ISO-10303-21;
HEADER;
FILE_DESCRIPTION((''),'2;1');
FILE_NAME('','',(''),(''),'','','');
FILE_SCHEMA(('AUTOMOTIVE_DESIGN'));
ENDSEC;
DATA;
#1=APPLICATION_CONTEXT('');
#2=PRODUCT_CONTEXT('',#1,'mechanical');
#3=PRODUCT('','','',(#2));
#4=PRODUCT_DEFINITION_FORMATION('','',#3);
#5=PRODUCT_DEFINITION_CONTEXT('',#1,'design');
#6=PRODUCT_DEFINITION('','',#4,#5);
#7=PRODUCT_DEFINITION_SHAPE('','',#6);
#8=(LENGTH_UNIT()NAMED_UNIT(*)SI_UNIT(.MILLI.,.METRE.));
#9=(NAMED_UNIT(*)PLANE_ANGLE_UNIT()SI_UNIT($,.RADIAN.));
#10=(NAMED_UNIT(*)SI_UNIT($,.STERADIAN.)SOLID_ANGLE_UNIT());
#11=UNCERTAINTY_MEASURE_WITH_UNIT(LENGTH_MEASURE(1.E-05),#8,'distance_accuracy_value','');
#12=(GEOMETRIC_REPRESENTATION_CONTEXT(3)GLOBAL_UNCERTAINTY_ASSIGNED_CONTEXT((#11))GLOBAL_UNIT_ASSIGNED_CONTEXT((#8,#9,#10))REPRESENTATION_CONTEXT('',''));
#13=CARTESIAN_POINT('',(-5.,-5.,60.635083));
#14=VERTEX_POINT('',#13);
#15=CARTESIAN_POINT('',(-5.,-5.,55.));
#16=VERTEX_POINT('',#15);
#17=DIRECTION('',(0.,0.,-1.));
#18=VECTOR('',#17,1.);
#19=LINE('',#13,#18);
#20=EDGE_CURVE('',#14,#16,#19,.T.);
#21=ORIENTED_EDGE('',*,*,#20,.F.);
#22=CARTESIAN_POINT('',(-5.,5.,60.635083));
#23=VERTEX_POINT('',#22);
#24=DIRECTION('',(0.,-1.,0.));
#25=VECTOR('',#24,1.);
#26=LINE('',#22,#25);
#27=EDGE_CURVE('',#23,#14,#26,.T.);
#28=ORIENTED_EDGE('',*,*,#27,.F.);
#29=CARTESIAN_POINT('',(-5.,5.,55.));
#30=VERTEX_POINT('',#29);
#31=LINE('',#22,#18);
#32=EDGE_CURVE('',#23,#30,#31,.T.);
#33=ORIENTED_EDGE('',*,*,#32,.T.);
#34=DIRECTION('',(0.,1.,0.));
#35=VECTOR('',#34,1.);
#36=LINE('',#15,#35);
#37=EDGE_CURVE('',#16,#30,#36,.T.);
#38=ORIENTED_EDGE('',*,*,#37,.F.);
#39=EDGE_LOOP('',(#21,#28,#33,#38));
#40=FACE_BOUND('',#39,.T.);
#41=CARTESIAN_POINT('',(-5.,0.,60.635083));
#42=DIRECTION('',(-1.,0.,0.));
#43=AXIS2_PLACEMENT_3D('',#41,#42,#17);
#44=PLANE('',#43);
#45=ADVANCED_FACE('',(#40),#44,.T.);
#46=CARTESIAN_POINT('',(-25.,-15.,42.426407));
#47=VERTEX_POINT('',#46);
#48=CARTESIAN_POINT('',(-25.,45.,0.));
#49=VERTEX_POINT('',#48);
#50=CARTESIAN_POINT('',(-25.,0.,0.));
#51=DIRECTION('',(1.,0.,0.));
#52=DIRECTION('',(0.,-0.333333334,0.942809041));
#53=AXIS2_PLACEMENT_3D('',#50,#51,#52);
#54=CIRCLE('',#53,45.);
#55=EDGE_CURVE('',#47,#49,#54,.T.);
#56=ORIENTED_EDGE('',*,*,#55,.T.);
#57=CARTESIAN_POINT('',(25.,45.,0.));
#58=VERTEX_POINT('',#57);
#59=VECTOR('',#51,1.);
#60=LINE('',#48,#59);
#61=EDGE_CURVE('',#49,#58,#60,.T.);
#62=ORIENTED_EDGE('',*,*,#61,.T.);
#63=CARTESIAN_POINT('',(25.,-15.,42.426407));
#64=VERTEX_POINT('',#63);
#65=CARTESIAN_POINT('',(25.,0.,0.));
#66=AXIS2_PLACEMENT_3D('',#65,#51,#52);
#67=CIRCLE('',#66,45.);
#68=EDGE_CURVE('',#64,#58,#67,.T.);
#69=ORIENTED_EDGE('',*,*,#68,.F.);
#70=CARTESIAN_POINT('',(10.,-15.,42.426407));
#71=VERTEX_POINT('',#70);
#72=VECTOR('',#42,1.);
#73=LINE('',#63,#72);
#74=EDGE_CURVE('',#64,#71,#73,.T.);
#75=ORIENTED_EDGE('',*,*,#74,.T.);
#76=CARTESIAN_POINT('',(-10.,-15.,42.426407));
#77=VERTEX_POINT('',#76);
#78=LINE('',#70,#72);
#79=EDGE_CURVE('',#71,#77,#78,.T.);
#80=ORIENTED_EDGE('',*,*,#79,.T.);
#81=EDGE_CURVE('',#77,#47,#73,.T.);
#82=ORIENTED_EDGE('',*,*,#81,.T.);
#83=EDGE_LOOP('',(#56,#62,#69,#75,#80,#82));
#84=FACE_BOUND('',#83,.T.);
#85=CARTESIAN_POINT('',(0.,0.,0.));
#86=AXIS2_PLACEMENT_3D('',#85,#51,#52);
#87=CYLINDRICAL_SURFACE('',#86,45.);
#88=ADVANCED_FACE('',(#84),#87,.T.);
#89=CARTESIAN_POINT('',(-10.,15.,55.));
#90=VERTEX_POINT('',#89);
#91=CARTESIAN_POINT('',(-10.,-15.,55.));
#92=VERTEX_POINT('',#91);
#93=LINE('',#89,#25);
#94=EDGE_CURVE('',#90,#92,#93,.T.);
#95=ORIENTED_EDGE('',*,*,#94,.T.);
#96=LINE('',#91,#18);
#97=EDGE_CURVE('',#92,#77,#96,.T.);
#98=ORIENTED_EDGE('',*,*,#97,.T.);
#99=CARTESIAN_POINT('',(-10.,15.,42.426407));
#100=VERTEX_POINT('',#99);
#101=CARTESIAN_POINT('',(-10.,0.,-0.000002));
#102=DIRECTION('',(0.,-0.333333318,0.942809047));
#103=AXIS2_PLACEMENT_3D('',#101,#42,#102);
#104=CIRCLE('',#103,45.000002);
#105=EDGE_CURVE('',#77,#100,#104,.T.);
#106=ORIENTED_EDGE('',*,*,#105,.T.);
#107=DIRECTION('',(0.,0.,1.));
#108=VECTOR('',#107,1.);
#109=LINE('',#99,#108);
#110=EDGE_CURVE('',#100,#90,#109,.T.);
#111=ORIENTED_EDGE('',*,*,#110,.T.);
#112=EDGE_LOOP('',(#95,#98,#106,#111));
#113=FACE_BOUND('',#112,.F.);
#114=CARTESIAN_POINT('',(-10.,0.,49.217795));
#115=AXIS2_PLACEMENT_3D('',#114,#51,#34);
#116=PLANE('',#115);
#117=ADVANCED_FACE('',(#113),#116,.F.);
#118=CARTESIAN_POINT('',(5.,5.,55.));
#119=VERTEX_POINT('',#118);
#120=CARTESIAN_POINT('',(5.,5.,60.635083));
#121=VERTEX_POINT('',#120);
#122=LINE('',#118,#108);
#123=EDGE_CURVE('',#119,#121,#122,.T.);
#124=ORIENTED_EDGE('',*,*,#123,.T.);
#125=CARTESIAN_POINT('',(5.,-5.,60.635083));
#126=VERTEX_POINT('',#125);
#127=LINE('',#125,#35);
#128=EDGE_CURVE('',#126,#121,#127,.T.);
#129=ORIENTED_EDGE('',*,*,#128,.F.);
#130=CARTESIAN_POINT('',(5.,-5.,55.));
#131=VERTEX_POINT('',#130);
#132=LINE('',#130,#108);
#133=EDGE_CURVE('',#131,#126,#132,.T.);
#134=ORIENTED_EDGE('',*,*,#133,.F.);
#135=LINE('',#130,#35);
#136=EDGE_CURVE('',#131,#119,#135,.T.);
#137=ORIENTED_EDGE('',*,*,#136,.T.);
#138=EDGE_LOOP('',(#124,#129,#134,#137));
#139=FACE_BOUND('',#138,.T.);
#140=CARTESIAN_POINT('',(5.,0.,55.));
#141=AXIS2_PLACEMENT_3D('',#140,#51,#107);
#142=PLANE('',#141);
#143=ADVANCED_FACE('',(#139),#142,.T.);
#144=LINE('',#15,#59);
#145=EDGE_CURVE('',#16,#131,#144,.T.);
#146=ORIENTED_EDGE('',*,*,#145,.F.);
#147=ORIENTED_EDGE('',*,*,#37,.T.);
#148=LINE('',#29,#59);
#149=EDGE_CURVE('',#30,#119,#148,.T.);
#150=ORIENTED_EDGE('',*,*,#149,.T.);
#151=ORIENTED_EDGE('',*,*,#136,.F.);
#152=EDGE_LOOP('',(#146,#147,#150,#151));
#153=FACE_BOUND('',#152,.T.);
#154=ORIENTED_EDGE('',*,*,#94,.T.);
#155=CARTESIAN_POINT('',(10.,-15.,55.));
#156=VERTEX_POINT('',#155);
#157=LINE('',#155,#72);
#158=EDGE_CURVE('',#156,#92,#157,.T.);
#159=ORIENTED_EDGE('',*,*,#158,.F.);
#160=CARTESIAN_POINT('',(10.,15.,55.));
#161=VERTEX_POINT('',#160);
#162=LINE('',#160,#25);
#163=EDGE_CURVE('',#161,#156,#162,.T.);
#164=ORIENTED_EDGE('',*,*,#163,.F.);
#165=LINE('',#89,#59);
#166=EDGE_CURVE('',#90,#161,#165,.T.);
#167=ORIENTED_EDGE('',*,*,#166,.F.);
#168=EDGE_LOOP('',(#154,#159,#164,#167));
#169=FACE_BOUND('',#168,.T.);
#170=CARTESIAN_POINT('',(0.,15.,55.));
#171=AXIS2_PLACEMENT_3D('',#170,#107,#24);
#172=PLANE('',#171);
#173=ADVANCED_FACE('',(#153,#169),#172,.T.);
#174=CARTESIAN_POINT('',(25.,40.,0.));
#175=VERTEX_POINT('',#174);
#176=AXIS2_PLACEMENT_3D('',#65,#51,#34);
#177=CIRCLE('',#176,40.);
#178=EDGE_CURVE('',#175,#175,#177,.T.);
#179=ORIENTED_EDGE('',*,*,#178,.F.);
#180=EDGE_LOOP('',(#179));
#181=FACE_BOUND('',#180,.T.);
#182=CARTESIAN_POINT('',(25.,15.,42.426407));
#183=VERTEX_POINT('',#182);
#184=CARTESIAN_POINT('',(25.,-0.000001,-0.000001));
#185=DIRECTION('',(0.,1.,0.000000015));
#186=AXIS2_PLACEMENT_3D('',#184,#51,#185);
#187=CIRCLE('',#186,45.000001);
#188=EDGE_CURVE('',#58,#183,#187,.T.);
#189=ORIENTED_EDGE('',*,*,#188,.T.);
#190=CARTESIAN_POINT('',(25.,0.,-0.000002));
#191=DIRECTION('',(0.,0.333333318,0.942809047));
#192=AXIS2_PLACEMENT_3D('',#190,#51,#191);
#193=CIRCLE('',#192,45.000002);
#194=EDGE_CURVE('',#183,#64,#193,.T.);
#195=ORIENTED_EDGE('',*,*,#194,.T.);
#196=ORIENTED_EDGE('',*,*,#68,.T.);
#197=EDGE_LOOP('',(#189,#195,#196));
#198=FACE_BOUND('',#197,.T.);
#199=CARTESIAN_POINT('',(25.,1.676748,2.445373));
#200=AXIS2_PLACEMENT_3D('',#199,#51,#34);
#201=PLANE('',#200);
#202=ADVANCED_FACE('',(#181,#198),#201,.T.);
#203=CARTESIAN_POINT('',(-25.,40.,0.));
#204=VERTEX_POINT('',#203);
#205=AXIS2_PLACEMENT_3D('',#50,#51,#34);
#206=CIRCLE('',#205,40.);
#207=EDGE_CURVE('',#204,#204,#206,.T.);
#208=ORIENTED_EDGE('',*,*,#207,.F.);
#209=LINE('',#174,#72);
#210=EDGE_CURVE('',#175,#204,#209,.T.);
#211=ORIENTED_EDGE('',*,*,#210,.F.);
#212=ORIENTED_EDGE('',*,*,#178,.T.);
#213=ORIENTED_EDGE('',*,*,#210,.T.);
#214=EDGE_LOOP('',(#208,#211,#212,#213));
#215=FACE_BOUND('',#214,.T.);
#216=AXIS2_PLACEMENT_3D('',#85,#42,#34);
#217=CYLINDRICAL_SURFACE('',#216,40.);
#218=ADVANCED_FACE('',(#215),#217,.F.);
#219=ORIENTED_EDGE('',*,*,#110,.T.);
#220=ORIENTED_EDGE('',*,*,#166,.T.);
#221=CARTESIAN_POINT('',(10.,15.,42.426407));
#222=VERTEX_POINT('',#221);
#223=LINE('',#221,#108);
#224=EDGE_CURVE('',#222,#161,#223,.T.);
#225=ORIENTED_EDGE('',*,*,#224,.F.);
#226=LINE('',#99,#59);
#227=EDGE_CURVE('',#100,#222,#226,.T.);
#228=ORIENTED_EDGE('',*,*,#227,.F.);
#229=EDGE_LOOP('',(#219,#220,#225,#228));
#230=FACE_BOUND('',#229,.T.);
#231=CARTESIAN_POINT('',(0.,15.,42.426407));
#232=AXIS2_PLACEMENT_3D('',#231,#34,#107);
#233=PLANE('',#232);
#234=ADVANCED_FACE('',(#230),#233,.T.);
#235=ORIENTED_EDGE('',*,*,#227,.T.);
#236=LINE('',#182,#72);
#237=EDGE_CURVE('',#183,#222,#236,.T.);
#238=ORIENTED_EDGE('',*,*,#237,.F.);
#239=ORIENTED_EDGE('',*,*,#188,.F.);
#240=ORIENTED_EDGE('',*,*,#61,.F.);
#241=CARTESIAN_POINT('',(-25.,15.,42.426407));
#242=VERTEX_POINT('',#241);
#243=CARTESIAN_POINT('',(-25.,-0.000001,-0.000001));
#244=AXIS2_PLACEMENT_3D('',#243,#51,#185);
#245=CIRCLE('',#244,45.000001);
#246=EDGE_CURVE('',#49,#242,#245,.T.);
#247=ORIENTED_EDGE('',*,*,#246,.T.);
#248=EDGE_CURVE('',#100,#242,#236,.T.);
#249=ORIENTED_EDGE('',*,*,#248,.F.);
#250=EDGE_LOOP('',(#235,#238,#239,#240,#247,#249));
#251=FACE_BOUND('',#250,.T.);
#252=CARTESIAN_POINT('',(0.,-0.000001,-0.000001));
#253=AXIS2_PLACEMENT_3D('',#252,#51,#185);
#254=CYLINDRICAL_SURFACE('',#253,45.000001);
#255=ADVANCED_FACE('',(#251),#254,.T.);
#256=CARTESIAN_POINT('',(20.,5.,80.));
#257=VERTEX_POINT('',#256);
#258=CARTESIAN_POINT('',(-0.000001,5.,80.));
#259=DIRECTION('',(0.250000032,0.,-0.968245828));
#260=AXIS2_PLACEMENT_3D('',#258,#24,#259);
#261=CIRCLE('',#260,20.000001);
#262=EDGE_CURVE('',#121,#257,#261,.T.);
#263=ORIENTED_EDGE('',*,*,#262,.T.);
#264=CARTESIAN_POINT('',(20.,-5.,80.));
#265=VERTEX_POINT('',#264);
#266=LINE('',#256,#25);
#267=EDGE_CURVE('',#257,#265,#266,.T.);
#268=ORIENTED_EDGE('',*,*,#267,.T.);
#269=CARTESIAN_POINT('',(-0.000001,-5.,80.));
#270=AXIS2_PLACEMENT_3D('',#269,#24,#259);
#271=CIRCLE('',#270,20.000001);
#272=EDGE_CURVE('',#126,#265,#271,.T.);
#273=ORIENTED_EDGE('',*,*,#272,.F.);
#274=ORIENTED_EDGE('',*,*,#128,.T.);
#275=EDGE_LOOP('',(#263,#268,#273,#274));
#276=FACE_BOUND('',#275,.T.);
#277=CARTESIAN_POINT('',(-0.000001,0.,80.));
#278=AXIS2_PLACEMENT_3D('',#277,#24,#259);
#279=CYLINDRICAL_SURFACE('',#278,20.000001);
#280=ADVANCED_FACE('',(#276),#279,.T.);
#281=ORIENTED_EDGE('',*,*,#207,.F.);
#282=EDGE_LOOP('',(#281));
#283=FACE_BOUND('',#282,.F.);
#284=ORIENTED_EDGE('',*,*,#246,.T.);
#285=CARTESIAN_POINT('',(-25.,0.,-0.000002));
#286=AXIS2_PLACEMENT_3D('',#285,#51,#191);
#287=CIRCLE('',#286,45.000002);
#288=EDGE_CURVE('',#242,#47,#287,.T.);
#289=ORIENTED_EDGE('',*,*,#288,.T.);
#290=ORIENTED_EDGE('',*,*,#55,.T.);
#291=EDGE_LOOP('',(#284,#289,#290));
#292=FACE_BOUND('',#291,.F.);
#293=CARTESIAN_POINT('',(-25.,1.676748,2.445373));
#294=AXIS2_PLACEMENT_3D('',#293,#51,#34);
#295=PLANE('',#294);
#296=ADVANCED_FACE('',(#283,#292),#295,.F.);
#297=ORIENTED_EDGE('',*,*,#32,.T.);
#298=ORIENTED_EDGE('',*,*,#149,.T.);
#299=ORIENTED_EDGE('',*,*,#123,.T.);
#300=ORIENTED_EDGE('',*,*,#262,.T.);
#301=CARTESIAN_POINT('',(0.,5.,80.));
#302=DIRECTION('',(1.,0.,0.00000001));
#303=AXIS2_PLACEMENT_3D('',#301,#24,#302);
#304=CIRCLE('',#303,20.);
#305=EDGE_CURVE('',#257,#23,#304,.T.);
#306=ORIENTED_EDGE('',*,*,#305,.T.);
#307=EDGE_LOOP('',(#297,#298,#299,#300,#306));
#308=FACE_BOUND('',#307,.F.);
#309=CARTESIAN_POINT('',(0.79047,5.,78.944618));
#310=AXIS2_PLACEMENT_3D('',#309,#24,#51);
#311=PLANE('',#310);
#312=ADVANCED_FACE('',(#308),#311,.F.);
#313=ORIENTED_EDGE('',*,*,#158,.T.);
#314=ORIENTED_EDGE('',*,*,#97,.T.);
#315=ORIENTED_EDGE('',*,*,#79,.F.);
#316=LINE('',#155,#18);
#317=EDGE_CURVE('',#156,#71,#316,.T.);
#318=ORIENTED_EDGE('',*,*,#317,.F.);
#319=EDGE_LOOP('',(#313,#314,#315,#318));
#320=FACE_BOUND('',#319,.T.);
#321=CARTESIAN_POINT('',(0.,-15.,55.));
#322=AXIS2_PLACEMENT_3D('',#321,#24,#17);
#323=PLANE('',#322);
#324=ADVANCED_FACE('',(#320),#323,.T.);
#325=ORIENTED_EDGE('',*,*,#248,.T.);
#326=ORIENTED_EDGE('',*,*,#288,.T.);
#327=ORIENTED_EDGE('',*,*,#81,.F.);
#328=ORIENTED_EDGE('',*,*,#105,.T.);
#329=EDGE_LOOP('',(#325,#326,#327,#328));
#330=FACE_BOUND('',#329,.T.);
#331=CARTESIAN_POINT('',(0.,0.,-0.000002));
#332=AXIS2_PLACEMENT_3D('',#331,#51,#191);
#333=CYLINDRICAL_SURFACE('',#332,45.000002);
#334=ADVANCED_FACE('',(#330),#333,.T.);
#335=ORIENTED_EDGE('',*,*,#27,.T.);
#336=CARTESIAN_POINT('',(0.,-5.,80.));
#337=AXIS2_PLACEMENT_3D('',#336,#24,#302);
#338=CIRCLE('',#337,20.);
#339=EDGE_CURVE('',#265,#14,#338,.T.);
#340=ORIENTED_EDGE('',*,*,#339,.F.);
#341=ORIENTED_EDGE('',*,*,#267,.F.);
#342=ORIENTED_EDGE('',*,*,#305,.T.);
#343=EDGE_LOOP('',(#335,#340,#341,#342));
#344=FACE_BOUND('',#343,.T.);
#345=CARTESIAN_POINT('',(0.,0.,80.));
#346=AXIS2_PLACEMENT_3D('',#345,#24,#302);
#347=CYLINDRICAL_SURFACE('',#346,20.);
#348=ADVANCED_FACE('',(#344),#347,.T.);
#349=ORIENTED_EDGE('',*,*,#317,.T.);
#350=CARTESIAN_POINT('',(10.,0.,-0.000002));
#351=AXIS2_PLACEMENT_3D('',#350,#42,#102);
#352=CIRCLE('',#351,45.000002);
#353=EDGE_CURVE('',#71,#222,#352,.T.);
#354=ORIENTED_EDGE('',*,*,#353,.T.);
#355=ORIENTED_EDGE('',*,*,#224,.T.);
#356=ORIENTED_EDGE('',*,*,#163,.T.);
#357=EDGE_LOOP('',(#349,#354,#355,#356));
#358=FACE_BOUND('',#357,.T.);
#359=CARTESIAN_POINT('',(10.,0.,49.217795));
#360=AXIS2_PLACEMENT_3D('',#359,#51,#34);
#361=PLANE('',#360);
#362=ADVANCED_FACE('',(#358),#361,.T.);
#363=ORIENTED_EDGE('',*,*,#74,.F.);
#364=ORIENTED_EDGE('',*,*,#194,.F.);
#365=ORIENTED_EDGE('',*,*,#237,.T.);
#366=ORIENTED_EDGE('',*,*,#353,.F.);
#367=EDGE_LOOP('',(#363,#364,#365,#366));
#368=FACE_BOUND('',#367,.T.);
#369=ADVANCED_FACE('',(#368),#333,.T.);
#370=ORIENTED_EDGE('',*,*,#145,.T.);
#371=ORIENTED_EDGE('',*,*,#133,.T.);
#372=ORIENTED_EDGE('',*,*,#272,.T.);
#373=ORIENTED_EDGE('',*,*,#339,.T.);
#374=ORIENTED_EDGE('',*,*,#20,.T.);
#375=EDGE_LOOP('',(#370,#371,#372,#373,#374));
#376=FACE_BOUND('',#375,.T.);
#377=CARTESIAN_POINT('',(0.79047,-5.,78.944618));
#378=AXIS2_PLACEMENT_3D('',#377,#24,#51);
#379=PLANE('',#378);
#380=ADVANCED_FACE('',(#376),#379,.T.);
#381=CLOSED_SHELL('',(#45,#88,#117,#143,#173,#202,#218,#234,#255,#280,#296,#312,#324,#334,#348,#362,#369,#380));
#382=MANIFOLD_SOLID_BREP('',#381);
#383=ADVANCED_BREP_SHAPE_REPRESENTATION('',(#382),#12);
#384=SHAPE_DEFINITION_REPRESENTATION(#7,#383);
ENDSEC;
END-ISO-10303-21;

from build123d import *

# Parameters (mm, degrees)
F0_R     = 40
F1_DEPTH = 25
F2_DEPTH = 10
F4_DEPTH = 5


with BuildPart() as f1:
    # F0 (on Right) → F1 (new body, symmetric)
    with BuildSketch(Plane.YZ):
        with BuildLine():
            ThreePointArc((-15, 42.426407), (-25.980762, -36.742346), (45, 0))
            ThreePointArc((45, 0), (36.742346, 25.980762), (15, 42.426407))
            ThreePointArc((15, 42.426407), (0, 45), (-15, 42.426407))
        make_face()
        Circle(F0_R, mode=Mode.SUBTRACT)
    extrude(amount=F1_DEPTH, both=True)

    # F0 (on Right) → F2 (join, symmetric)
    with BuildSketch(Plane.YZ):
        with BuildLine():
            ThreePointArc((-15, 42.426407), (0, 45), (15, 42.426407))
            Line((15, 42.426407), (15, 55))
            Line((15, 55), (-15, 55))
            Line((-15, 55), (-15, 42.426407))
        make_face()
    extrude(amount=F2_DEPTH, both=True)

    # F3 (on Front) → F4 (join, symmetric)
    with BuildSketch(Plane.XZ):
        with BuildLine():
            ThreePointArc((-5, 60.635083), (0, 60), (5, 60.635083))
            ThreePointArc((5, 60.635083), (15.811388, 67.752551), (20, 80))
            ThreePointArc((20, 80), (-12.247449, 95.811388), (-5, 60.635083))
        make_face()
        with BuildLine():
            Line((-5, 55), (5, 55))
            Line((5, 55), (5, 60.635083))
            ThreePointArc((5, 60.635083), (0, 60), (-5, 60.635083))
            Line((-5, 60.635083), (-5, 55))
        make_face()
    extrude(amount=F4_DEPTH, both=True)


solid = f1.part
